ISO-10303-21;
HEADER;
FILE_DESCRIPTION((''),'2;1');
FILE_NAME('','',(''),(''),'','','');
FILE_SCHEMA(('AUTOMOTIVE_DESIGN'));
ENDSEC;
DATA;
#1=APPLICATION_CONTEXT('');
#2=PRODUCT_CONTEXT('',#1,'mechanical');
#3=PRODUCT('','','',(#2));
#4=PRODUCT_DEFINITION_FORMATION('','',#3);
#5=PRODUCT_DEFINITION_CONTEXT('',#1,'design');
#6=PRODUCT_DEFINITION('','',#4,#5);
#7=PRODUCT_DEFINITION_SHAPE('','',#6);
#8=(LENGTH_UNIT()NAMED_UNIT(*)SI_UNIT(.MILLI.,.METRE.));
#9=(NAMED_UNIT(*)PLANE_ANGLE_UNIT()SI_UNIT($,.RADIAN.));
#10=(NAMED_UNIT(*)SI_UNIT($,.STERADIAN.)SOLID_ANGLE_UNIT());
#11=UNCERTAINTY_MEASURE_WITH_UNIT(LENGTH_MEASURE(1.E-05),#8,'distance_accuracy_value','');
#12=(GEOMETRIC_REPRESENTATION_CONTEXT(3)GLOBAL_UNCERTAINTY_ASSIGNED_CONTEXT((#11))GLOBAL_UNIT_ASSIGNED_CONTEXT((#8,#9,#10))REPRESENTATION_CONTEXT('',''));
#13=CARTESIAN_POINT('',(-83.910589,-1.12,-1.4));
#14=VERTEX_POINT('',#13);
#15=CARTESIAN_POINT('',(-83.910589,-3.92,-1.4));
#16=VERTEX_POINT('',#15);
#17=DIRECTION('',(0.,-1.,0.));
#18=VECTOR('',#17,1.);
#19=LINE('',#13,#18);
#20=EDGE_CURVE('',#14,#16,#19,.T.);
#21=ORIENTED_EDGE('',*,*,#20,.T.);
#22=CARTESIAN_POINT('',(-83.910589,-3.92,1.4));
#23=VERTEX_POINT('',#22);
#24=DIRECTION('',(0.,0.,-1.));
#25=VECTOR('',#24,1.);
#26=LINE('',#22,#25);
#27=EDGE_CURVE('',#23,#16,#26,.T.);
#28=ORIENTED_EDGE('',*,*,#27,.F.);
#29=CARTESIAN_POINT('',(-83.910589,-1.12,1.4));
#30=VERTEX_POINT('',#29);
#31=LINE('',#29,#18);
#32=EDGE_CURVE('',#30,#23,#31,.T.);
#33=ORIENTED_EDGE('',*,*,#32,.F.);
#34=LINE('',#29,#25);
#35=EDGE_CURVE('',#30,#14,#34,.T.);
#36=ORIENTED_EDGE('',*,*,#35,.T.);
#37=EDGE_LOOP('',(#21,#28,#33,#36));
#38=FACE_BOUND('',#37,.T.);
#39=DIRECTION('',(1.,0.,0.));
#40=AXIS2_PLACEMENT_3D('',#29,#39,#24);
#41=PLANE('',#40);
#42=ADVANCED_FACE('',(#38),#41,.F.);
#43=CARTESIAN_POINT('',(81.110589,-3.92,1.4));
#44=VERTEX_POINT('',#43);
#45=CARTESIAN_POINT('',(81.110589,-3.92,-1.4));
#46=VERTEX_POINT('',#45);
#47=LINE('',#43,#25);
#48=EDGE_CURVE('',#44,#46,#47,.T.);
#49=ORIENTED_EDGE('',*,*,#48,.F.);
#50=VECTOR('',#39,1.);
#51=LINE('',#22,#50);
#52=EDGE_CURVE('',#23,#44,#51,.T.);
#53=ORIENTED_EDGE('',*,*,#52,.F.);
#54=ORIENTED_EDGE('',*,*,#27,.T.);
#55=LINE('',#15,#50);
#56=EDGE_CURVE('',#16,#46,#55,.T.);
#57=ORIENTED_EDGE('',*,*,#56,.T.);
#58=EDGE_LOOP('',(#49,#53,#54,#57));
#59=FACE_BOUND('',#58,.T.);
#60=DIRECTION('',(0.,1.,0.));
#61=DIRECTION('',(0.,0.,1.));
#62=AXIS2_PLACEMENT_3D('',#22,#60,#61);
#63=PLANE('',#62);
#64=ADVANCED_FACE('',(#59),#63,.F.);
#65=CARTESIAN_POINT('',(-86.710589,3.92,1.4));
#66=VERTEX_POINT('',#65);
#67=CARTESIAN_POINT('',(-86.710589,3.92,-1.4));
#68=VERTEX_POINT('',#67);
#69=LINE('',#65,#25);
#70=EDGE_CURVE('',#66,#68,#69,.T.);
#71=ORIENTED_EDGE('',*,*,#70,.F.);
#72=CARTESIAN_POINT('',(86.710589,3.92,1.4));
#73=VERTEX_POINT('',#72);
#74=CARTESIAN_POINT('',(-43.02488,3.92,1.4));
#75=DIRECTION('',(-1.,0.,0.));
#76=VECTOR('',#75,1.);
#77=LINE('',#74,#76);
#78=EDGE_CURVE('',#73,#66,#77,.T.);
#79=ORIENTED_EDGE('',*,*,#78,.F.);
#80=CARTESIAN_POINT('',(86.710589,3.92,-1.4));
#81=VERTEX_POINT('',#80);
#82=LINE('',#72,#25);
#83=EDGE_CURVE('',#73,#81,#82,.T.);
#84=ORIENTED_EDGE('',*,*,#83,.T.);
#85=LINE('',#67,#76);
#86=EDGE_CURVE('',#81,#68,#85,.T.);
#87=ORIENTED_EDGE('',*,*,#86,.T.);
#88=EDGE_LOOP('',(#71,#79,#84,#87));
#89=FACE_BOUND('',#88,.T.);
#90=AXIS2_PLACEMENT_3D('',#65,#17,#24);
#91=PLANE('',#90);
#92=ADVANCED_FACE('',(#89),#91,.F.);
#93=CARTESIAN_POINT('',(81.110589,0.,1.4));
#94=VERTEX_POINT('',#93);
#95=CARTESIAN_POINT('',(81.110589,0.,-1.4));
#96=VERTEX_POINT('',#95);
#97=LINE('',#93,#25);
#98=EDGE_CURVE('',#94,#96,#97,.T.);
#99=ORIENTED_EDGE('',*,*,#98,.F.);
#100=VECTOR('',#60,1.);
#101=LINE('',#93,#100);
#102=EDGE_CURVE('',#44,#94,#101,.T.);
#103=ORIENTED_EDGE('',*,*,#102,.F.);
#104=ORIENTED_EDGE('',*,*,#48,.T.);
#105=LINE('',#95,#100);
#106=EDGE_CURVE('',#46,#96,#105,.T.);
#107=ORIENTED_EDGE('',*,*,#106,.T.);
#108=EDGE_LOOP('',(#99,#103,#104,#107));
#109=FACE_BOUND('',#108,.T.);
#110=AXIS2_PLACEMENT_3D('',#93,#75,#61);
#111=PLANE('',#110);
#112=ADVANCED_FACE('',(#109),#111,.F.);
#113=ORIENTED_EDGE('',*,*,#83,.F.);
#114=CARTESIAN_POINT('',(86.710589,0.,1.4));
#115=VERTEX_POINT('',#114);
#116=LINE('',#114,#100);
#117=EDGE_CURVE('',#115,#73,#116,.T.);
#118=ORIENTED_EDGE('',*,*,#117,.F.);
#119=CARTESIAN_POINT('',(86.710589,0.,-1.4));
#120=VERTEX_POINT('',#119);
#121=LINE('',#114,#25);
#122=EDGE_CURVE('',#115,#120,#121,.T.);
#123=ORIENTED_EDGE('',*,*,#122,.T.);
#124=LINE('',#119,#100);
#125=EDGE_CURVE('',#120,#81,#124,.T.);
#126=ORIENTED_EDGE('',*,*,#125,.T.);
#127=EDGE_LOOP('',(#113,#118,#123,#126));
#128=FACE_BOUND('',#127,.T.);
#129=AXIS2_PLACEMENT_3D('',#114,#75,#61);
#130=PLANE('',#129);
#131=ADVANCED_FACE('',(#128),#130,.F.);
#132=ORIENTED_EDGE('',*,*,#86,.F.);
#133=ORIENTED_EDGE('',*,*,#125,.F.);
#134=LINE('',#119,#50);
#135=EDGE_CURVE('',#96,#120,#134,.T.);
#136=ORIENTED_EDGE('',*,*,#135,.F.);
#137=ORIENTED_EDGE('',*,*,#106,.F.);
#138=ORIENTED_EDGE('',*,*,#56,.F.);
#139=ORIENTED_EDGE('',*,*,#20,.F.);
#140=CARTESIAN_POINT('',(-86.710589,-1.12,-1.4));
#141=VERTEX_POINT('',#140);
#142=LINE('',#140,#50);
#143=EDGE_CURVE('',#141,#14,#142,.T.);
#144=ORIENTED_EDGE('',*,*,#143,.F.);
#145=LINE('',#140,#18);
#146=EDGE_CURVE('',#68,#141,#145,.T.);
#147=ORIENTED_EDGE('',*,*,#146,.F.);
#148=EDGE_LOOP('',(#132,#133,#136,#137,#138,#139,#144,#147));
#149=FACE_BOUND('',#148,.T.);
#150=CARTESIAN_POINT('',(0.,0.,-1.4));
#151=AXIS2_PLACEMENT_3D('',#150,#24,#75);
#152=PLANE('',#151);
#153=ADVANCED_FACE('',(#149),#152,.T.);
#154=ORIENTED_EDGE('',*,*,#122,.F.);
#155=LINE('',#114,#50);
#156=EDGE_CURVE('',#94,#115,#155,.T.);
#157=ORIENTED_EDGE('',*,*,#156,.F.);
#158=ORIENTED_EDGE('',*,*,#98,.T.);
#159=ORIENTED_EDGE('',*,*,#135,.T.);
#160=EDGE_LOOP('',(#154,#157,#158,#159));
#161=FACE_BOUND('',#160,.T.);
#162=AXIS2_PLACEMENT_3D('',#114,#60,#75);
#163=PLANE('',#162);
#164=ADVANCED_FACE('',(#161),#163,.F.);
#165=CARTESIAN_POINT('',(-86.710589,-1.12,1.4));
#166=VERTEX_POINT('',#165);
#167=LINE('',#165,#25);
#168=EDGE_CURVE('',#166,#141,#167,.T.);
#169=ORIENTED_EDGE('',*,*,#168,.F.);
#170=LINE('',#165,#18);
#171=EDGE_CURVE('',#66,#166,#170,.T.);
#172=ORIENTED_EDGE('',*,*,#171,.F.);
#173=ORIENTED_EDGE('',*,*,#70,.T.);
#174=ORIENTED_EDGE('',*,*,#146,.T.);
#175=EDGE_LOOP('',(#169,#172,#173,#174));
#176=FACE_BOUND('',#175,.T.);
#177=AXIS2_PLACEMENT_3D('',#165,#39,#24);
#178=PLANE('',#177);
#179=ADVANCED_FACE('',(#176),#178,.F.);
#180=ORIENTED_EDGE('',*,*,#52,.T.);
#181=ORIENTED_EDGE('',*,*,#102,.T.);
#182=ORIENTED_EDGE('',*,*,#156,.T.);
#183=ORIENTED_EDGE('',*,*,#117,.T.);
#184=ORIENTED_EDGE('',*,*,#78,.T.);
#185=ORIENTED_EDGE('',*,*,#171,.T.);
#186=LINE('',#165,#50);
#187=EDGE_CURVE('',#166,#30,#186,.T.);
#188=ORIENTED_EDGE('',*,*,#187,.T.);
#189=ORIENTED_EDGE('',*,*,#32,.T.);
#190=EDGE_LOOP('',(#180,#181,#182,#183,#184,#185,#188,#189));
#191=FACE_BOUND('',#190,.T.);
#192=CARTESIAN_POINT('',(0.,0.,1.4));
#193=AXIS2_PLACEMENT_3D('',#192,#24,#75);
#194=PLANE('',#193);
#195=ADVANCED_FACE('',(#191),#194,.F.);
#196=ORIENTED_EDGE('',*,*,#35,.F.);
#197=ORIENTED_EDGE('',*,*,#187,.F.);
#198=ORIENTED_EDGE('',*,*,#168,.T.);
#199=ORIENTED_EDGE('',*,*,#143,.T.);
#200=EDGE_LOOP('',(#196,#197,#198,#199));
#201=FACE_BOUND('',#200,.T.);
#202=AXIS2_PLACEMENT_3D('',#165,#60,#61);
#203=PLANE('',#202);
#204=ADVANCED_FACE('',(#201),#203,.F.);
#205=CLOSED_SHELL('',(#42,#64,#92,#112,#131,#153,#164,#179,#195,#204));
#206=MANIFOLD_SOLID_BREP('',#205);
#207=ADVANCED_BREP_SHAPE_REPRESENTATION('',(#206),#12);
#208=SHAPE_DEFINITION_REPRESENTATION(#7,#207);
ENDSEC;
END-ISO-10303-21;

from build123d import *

# Parameters (mm, degrees)
EXTRUDE_1_DEPTH = 1.4


with BuildPart() as part:
    # Эскиз1 → Бобышка-Вытянуть1 (new, symmetric)
    with BuildSketch(Plane.XY):
        Polygon((86.710588683, 0), (81.110588683, 0), (81.110588683, -3.92), (-83.910588683, -3.92), (-83.910588683, -1.12), (-86.710588683, -1.12), (-86.710588683, 3.92), (-43.02487952, 3.92), (86.710588683, 3.92), align=None)
    extrude(amount=EXTRUDE_1_DEPTH, both=True)


solid = part.part
